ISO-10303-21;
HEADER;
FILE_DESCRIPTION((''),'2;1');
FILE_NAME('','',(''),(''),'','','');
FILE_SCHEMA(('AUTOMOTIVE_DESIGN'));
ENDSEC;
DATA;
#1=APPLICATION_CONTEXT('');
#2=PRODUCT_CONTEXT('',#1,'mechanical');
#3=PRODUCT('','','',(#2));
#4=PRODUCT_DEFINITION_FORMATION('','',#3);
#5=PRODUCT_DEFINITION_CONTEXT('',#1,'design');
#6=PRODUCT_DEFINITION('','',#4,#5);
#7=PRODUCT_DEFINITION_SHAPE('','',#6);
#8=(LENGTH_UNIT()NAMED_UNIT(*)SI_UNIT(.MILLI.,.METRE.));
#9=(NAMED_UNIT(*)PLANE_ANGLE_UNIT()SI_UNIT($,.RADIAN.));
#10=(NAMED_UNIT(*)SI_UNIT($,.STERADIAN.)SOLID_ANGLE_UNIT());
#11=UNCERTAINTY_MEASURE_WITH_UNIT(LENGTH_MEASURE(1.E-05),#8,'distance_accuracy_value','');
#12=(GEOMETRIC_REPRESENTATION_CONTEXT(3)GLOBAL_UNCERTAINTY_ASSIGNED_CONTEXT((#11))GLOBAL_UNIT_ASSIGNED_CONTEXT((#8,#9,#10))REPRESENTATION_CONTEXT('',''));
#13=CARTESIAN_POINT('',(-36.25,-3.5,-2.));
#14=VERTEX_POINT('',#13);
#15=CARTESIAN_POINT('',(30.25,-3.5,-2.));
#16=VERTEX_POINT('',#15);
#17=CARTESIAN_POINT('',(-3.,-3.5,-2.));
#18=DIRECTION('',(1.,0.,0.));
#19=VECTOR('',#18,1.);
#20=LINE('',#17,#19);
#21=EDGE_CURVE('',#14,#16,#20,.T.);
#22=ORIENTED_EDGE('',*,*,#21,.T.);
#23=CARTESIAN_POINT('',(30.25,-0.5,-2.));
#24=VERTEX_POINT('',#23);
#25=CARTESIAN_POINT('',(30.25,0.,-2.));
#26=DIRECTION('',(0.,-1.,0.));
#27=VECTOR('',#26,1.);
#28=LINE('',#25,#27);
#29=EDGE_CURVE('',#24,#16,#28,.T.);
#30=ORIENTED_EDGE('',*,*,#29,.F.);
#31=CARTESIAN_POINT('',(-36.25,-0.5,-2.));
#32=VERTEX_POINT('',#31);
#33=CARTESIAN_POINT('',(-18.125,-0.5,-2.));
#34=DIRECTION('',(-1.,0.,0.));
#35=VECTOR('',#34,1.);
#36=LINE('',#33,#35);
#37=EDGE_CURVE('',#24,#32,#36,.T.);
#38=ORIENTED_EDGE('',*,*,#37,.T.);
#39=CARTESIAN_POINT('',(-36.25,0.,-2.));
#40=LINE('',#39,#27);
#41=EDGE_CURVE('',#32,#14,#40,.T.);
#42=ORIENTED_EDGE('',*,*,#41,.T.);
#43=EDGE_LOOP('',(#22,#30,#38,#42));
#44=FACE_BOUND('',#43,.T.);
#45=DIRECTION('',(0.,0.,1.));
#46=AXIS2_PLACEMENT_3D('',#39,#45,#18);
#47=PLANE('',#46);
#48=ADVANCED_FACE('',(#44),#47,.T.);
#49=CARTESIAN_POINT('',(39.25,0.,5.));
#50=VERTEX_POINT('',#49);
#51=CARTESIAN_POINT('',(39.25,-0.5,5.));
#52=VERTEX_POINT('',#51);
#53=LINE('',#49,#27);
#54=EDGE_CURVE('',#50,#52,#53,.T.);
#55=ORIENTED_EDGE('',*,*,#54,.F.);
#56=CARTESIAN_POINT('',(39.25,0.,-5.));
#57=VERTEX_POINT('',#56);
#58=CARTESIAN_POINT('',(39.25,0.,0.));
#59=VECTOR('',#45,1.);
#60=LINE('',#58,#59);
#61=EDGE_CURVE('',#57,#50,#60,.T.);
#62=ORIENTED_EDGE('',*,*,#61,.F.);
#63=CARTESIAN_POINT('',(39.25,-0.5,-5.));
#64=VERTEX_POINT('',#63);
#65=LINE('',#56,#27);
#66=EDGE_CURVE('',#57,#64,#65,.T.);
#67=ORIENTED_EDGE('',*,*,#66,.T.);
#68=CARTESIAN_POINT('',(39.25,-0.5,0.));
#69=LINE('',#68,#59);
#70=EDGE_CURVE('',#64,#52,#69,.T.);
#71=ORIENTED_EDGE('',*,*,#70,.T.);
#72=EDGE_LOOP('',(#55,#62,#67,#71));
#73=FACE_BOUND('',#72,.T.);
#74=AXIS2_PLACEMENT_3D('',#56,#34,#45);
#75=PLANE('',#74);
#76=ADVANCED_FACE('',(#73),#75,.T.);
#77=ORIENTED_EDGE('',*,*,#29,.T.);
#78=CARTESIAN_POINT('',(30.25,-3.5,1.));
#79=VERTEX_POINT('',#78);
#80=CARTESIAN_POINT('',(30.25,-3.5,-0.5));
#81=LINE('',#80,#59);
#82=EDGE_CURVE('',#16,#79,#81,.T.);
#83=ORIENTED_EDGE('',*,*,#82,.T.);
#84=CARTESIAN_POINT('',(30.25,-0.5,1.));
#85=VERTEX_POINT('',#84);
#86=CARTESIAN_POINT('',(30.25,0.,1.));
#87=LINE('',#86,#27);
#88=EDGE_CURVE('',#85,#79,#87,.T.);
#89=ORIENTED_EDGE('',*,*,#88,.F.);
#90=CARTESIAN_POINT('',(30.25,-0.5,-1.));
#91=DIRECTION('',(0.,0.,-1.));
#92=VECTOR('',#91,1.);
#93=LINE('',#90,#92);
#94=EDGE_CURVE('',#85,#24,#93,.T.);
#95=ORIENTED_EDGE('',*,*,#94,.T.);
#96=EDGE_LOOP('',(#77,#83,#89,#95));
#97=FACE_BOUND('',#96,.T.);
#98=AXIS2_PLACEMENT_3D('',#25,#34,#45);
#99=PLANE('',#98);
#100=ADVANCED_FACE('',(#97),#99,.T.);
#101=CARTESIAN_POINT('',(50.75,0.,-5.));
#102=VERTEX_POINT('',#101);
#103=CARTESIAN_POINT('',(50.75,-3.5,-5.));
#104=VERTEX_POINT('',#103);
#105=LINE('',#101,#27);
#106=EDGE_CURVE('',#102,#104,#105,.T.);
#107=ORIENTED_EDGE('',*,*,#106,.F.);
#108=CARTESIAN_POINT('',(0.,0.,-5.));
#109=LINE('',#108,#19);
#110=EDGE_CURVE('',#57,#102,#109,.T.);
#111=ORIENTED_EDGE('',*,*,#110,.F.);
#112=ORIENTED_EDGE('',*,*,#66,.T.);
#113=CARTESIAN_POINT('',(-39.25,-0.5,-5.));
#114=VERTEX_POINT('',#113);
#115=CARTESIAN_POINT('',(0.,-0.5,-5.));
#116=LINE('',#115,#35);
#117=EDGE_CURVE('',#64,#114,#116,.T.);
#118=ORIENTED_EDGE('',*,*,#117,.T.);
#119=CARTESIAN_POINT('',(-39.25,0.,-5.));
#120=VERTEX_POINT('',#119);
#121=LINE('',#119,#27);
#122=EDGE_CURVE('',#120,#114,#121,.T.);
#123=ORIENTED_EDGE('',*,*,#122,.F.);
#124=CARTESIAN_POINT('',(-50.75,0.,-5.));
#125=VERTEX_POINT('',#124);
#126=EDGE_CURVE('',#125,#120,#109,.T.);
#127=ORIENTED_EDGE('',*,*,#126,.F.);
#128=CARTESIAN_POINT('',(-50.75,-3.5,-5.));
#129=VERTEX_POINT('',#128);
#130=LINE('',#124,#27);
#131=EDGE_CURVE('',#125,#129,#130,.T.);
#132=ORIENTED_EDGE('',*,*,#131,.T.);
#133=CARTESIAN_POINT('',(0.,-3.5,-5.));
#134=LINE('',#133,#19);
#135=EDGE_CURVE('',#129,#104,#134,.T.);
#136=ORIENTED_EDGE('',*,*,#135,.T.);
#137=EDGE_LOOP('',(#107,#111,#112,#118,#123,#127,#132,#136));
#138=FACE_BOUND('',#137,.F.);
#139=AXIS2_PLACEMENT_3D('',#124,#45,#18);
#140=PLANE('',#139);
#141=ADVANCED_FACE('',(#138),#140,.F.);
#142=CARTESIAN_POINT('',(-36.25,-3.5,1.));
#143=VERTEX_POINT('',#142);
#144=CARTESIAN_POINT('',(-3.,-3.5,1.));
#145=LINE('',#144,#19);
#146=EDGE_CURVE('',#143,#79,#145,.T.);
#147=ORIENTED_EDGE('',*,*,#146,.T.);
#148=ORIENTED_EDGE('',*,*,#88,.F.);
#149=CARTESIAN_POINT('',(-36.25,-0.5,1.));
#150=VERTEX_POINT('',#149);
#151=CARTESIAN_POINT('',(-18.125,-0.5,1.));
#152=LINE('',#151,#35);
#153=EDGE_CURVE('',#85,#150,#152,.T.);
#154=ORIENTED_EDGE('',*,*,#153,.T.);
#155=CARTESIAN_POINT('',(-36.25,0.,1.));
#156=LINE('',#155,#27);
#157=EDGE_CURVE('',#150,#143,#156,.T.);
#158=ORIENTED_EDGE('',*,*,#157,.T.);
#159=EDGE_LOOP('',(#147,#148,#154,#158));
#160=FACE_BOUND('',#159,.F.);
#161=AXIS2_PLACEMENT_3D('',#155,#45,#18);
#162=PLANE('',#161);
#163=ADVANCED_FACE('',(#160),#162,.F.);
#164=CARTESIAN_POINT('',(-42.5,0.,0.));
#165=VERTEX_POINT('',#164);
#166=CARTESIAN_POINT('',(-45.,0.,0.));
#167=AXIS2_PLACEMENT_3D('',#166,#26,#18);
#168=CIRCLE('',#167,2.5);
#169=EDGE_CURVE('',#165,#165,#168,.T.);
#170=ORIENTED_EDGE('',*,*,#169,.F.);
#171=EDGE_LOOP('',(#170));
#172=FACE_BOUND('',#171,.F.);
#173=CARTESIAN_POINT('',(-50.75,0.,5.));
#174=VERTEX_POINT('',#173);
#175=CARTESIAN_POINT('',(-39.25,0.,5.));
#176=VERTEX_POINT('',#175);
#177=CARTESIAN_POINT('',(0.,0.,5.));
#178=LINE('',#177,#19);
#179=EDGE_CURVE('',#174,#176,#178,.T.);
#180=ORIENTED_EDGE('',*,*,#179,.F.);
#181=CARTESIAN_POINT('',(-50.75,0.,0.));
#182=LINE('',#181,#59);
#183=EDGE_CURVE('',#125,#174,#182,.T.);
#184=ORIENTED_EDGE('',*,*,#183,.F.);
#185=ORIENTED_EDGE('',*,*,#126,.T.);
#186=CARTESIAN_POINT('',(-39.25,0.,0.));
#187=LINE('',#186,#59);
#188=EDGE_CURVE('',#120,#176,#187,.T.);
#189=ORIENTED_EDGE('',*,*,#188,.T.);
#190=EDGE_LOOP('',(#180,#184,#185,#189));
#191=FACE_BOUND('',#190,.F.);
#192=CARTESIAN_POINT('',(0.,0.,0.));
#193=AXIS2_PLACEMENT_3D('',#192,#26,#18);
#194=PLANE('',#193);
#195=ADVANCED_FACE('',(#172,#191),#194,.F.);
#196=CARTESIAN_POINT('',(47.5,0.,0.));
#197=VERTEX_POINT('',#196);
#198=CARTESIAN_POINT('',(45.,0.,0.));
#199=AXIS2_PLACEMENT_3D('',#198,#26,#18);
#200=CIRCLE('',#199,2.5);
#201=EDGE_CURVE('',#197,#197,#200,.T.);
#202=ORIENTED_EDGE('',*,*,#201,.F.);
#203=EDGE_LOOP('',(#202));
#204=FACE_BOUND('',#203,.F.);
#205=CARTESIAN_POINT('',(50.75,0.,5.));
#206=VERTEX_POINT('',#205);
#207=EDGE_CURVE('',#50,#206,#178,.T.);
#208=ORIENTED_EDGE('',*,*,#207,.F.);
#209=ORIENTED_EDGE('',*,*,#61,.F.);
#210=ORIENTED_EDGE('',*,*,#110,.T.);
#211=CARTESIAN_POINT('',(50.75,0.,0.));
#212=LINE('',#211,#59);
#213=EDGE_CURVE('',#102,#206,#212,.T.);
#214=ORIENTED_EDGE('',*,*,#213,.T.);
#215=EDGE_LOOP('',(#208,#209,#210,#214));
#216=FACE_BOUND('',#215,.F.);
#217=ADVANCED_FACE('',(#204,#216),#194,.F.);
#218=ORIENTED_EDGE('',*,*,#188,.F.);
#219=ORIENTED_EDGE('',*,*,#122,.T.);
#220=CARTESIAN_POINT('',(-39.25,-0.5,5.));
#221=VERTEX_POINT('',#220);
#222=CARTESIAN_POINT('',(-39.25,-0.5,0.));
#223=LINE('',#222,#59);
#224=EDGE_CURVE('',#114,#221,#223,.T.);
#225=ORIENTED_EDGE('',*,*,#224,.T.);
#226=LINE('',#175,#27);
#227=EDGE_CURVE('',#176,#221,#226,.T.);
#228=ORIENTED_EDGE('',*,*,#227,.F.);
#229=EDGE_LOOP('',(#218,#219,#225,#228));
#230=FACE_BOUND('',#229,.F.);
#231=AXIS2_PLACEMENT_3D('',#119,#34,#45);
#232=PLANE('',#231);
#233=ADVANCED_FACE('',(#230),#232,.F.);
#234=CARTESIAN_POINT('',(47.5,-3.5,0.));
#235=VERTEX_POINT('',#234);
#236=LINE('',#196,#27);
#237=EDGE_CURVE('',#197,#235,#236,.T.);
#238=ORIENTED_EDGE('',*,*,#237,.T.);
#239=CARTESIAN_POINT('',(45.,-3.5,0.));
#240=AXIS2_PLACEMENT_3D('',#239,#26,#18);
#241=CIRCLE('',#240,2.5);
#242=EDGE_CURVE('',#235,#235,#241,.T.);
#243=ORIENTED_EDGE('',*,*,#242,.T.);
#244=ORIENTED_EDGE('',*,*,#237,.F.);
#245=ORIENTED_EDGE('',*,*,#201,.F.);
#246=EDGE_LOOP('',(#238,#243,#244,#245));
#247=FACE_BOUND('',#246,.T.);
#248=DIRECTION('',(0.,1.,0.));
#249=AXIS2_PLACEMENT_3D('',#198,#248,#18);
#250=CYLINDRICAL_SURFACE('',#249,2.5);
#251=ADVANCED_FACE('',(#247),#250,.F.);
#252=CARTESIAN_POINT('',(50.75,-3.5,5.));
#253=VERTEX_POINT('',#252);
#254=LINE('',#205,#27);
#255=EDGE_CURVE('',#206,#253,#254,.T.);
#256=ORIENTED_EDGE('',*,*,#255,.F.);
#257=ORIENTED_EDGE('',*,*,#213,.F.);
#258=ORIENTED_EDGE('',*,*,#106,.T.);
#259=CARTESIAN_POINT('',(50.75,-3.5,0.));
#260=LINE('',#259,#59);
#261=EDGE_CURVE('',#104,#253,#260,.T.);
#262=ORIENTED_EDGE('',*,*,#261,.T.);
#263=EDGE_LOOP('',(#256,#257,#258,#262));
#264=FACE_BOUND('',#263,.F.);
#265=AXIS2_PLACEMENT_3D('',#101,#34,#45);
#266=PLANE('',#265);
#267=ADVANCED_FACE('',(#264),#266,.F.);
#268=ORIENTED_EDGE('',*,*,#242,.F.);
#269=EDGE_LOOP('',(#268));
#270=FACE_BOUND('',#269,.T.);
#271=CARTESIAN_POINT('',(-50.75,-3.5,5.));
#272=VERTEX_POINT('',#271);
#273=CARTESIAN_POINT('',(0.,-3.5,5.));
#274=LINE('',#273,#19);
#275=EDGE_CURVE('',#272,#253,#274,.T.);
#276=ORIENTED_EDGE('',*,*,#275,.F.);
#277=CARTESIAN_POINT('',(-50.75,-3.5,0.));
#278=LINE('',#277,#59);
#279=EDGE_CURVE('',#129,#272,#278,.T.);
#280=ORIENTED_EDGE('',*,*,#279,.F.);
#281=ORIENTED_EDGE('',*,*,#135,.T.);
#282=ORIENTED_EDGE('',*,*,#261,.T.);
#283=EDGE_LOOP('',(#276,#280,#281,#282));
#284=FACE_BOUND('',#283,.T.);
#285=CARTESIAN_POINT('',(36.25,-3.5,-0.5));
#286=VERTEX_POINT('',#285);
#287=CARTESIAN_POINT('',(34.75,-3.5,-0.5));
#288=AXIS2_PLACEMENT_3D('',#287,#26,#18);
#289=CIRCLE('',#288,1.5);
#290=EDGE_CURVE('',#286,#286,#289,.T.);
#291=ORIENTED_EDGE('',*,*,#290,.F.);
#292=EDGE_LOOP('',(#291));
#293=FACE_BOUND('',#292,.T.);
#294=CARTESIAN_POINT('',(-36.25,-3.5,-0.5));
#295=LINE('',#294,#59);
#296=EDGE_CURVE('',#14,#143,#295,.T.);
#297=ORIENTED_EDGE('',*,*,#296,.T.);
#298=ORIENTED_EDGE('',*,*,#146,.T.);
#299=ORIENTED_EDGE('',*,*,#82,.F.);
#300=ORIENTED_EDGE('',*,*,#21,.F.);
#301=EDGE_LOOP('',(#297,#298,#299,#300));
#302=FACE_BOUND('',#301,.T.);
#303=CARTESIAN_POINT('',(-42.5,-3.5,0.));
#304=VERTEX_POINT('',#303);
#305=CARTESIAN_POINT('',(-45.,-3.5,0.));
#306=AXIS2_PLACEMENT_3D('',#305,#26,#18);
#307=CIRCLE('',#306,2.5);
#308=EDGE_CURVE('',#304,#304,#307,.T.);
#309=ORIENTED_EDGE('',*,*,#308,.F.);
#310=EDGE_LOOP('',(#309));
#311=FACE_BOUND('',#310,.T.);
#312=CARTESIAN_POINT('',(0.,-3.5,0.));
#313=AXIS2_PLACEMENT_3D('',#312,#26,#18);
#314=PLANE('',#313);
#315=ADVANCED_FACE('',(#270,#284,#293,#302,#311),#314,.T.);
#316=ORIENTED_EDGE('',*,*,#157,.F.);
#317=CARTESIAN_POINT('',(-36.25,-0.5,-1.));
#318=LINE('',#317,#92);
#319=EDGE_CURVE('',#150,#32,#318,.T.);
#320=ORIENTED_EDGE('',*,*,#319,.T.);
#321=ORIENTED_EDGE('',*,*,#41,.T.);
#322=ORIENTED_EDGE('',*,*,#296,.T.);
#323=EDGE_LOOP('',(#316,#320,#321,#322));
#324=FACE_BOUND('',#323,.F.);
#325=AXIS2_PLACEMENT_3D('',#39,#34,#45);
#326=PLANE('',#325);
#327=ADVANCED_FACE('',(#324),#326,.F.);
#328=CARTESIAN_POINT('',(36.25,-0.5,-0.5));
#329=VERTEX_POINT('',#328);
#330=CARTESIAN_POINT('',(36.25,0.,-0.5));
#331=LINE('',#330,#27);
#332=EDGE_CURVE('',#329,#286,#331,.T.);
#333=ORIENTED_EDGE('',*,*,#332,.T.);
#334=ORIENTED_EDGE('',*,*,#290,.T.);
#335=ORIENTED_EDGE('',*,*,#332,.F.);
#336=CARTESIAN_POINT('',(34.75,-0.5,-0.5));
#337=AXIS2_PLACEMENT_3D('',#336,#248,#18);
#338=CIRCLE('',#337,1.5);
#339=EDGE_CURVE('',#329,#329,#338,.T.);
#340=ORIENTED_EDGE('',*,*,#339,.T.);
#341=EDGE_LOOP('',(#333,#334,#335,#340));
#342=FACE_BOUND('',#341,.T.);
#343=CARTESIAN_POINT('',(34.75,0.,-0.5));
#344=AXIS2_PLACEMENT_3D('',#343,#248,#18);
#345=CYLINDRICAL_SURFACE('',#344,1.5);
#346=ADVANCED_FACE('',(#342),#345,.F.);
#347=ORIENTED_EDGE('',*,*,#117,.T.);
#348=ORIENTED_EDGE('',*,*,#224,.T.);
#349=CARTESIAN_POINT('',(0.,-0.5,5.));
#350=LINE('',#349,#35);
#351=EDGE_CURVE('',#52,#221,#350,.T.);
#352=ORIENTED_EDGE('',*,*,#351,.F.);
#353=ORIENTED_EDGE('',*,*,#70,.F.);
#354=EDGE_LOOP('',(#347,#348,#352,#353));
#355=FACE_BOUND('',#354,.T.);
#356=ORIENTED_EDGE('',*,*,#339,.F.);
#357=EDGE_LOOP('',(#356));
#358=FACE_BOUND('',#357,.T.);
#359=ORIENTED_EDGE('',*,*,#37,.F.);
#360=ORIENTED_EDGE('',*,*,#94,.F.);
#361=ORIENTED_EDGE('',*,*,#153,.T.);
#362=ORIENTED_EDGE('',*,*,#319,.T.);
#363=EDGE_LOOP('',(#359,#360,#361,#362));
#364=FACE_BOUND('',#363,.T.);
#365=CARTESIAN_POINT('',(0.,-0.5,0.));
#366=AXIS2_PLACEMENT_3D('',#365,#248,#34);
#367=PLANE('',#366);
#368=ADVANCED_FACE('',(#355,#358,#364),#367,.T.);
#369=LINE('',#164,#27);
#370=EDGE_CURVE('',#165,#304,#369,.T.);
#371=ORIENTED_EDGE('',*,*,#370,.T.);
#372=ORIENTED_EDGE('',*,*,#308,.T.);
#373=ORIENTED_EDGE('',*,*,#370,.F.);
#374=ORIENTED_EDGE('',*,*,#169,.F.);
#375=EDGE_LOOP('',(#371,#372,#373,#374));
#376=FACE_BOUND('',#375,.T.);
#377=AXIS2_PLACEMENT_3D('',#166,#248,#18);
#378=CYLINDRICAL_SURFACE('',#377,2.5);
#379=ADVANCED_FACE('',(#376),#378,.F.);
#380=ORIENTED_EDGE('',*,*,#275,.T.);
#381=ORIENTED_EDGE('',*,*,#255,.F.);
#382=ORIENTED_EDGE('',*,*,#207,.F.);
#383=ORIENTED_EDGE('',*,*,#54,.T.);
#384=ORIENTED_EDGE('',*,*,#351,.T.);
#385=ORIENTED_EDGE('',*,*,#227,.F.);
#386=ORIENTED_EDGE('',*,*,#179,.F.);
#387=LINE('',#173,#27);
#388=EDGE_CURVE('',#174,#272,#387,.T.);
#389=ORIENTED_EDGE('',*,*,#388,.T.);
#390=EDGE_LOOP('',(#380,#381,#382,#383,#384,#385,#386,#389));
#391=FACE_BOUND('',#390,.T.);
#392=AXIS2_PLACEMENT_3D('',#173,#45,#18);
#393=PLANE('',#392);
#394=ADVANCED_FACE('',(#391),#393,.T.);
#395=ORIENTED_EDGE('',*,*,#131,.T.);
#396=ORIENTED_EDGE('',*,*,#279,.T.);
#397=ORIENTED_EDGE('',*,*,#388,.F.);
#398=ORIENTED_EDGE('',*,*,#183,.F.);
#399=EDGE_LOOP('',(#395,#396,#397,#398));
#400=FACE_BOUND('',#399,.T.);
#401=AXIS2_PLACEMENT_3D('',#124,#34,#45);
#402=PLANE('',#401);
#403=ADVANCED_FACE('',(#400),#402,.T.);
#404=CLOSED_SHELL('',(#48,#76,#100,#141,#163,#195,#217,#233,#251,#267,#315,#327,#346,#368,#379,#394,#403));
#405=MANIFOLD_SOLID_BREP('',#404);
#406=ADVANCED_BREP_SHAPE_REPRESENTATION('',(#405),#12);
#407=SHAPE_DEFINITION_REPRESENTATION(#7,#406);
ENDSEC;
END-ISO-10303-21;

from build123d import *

# Parameters (mm, degrees)
F0_W     = 101.5
F0_H     = 10
F0_W_2   = 66.5
F0_H_2   = 3
F0_R     = 1.5
F0_R_2   = 2.5
F1_DEPTH = 3.5
F2_W     = 78.5
F2_H     = 10
F3_DEPTH = 0.5


with BuildPart() as f1:
    # F0 (on Front) → F1 (new body)
    with BuildSketch(Plane.XZ):
        Rectangle(F0_W, F0_H)
        with Locations((-3, -0.5)):
            Rectangle(F0_W_2, F0_H_2, mode=Mode.SUBTRACT)
        with Locations((34.75, -0.5)):
            Circle(F0_R, mode=Mode.SUBTRACT)
        with Locations((-45, 0)):
            Circle(F0_R_2, mode=Mode.SUBTRACT)
        with Locations((45, 0)):
            Circle(F0_R_2, mode=Mode.SUBTRACT)
    extrude(amount=F1_DEPTH)

    # F2 (on face) → F3 (cut)
    with BuildSketch(Plane(origin=(0, 0, 0), x_dir=(-1, 0, 0), z_dir=(0, 1, 0))):
        Rectangle(F2_W, F2_H)
    extrude(amount=-F3_DEPTH, mode=Mode.SUBTRACT)


solid = f1.part
